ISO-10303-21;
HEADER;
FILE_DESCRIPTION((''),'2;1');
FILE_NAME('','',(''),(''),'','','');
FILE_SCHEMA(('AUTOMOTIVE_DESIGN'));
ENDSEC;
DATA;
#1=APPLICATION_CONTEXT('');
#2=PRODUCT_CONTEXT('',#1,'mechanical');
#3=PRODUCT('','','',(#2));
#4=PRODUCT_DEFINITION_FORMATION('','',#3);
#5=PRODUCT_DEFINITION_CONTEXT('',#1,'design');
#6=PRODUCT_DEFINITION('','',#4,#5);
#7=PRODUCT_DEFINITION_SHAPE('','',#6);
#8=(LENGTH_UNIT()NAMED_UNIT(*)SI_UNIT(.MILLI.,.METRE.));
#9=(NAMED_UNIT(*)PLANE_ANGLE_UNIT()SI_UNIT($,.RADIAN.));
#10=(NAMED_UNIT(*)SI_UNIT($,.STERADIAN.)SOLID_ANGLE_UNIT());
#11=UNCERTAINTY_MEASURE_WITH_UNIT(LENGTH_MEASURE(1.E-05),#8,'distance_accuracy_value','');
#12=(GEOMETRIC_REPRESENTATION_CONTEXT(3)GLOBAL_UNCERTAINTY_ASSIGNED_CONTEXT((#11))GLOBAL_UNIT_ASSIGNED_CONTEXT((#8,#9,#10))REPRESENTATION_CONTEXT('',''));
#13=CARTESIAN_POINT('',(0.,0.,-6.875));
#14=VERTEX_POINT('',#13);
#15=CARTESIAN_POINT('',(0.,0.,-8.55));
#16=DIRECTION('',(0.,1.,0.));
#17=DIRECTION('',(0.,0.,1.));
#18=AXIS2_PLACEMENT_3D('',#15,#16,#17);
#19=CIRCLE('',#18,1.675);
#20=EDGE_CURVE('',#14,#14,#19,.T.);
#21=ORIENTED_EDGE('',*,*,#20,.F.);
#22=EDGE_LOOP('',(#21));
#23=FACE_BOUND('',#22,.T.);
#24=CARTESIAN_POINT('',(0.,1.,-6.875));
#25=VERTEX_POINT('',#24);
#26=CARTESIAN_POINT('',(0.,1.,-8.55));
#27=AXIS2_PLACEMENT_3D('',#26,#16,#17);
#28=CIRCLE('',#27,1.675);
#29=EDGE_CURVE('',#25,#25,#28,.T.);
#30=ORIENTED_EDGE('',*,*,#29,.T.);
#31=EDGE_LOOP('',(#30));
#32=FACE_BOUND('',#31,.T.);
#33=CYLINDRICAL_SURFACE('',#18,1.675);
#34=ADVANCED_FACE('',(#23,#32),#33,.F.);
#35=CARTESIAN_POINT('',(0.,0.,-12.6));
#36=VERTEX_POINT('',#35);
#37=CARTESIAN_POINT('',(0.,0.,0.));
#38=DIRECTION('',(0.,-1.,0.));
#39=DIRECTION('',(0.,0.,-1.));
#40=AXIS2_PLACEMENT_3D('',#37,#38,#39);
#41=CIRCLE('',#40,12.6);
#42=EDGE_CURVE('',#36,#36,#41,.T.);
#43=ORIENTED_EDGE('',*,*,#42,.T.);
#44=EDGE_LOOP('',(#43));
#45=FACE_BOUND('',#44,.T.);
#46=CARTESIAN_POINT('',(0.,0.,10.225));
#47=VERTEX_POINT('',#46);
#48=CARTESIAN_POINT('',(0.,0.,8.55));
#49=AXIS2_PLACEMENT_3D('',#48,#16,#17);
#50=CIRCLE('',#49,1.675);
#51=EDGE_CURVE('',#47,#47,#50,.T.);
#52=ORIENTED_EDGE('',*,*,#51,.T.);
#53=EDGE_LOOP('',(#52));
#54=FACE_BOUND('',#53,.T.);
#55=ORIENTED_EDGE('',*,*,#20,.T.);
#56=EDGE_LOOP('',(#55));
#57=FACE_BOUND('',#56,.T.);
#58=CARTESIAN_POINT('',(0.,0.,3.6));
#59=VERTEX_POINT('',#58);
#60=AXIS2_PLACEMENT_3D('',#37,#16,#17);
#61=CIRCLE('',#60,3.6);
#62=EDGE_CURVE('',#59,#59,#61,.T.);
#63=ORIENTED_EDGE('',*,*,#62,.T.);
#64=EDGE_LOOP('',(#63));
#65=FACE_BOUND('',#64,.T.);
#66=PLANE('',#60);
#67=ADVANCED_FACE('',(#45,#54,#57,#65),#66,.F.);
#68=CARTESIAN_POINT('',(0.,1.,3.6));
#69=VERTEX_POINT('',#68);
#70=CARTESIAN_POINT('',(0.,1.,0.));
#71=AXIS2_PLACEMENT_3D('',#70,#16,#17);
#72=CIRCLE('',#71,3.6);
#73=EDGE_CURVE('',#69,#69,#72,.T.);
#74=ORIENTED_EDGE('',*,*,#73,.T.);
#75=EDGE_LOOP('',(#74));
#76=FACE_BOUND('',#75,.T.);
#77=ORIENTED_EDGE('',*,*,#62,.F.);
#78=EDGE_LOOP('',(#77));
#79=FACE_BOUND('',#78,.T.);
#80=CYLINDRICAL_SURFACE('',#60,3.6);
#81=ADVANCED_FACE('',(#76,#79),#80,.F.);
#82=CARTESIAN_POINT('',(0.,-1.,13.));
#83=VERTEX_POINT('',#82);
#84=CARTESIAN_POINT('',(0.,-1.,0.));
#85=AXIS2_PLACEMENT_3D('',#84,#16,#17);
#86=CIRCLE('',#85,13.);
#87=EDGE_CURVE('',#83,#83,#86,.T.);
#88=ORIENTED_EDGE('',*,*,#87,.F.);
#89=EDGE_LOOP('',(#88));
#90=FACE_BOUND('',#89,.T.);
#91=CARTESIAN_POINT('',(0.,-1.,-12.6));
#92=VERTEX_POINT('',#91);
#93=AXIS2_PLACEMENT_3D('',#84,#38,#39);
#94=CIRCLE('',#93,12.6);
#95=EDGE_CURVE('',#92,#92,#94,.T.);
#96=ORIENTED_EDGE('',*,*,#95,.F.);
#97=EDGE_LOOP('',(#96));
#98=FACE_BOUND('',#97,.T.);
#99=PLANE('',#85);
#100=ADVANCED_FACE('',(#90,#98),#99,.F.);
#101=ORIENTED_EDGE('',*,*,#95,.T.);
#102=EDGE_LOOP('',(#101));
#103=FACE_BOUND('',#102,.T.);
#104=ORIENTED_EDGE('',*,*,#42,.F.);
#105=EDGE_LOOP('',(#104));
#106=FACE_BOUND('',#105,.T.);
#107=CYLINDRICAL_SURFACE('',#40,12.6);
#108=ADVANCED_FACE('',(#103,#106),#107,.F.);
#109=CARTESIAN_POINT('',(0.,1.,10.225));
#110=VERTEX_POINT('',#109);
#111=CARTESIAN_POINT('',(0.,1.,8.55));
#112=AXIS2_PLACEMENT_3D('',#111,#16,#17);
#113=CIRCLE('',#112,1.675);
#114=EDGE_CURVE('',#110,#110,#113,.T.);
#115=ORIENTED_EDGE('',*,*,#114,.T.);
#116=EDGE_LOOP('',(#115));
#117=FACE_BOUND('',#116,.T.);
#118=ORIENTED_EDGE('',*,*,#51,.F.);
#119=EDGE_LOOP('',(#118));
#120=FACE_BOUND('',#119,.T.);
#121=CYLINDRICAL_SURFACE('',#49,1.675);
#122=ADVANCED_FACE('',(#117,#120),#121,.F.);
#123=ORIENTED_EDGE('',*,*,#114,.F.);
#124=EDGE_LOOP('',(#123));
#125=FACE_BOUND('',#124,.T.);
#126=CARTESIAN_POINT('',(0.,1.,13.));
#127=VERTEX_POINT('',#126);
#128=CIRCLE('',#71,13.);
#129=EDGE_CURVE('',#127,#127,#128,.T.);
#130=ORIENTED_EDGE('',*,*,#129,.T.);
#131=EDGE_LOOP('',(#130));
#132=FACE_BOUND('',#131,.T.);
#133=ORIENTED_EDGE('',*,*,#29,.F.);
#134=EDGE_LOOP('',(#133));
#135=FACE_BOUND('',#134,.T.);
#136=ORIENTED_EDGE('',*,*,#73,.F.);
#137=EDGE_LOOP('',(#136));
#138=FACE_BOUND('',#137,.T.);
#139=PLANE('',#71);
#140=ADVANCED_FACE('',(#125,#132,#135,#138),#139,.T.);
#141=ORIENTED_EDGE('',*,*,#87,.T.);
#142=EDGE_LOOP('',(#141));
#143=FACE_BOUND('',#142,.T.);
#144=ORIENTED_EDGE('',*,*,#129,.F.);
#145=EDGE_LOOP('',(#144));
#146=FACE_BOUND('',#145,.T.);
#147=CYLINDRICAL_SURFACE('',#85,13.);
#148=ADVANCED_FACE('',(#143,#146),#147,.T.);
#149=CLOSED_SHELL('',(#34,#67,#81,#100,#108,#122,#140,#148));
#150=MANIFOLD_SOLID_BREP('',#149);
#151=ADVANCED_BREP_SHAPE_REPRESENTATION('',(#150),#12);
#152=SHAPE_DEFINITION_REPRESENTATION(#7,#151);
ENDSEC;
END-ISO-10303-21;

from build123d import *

# Parameters (mm, degrees)
SKETCH1_R           = 12.5
BOSS_EXTRUDE1_DEPTH = 1
SKETCH2_R           = 1.675
SKETCH2_R_2         = 3.6
CUT_EXTRUDE1_DEPTH  = 1
BOSS_EXTRUDE3_START = -2
SKETCH3_R           = 13
SKETCH3_R_2         = 12.5
BOSS_EXTRUDE3_DEPTH = 2
SKETCH5_R           = 12.6
CUT_EXTRUDE2_DEPTH  = 1


with BuildPart() as part:
    # Sketch1 → Boss-Extrude1 (new body)
    with BuildSketch(Plane(origin=(0, 0, 0), x_dir=(1, 0, 0), z_dir=(0, 1, 0))):
        with Locations(Location((0, 0, 0), (0, 0, 270))):
            Circle(SKETCH1_R)
    extrude(amount=BOSS_EXTRUDE1_DEPTH)

    # Sketch2 → Cut-Extrude1 (cut)
    with BuildSketch(Plane(origin=(0, 1, 0), x_dir=(1, 0, 0), z_dir=(0, 1, 0))):
        with Locations(Location((0, 8.55, 0), (0, 0, 270))):
            Circle(SKETCH2_R)
        with Locations(Location((0, -8.55, 0), (0, 0, 270))):
            Circle(SKETCH2_R)
        with Locations(Location((0, 0, 0), (0, 0, 270))):
            Circle(SKETCH2_R_2)
    extrude(amount=-CUT_EXTRUDE1_DEPTH, mode=Mode.SUBTRACT)

    # Sketch3 → Boss-Extrude3 (add)
    with BuildSketch(Plane(origin=(0, 1, 0), x_dir=(1, 0, 0), z_dir=(0, 1, 0)).offset(BOSS_EXTRUDE3_START)):
        with Locations(Location((0, 0, 0), (0, 0, 270))):
            Circle(SKETCH3_R)
        with Locations(Location((0, 0, 0), (0, 0, 270))):
            Circle(SKETCH3_R_2, mode=Mode.SUBTRACT)
    extrude(amount=BOSS_EXTRUDE3_DEPTH)

    # Sketch5 → Cut-Extrude2 (cut)
    with BuildSketch(Plane.XZ.offset(1)):
        with Locations(Location((0, 0, 0), (0, 0, 270))):
            Circle(SKETCH5_R)
    extrude(amount=-CUT_EXTRUDE2_DEPTH, mode=Mode.SUBTRACT)


solid = part.part
